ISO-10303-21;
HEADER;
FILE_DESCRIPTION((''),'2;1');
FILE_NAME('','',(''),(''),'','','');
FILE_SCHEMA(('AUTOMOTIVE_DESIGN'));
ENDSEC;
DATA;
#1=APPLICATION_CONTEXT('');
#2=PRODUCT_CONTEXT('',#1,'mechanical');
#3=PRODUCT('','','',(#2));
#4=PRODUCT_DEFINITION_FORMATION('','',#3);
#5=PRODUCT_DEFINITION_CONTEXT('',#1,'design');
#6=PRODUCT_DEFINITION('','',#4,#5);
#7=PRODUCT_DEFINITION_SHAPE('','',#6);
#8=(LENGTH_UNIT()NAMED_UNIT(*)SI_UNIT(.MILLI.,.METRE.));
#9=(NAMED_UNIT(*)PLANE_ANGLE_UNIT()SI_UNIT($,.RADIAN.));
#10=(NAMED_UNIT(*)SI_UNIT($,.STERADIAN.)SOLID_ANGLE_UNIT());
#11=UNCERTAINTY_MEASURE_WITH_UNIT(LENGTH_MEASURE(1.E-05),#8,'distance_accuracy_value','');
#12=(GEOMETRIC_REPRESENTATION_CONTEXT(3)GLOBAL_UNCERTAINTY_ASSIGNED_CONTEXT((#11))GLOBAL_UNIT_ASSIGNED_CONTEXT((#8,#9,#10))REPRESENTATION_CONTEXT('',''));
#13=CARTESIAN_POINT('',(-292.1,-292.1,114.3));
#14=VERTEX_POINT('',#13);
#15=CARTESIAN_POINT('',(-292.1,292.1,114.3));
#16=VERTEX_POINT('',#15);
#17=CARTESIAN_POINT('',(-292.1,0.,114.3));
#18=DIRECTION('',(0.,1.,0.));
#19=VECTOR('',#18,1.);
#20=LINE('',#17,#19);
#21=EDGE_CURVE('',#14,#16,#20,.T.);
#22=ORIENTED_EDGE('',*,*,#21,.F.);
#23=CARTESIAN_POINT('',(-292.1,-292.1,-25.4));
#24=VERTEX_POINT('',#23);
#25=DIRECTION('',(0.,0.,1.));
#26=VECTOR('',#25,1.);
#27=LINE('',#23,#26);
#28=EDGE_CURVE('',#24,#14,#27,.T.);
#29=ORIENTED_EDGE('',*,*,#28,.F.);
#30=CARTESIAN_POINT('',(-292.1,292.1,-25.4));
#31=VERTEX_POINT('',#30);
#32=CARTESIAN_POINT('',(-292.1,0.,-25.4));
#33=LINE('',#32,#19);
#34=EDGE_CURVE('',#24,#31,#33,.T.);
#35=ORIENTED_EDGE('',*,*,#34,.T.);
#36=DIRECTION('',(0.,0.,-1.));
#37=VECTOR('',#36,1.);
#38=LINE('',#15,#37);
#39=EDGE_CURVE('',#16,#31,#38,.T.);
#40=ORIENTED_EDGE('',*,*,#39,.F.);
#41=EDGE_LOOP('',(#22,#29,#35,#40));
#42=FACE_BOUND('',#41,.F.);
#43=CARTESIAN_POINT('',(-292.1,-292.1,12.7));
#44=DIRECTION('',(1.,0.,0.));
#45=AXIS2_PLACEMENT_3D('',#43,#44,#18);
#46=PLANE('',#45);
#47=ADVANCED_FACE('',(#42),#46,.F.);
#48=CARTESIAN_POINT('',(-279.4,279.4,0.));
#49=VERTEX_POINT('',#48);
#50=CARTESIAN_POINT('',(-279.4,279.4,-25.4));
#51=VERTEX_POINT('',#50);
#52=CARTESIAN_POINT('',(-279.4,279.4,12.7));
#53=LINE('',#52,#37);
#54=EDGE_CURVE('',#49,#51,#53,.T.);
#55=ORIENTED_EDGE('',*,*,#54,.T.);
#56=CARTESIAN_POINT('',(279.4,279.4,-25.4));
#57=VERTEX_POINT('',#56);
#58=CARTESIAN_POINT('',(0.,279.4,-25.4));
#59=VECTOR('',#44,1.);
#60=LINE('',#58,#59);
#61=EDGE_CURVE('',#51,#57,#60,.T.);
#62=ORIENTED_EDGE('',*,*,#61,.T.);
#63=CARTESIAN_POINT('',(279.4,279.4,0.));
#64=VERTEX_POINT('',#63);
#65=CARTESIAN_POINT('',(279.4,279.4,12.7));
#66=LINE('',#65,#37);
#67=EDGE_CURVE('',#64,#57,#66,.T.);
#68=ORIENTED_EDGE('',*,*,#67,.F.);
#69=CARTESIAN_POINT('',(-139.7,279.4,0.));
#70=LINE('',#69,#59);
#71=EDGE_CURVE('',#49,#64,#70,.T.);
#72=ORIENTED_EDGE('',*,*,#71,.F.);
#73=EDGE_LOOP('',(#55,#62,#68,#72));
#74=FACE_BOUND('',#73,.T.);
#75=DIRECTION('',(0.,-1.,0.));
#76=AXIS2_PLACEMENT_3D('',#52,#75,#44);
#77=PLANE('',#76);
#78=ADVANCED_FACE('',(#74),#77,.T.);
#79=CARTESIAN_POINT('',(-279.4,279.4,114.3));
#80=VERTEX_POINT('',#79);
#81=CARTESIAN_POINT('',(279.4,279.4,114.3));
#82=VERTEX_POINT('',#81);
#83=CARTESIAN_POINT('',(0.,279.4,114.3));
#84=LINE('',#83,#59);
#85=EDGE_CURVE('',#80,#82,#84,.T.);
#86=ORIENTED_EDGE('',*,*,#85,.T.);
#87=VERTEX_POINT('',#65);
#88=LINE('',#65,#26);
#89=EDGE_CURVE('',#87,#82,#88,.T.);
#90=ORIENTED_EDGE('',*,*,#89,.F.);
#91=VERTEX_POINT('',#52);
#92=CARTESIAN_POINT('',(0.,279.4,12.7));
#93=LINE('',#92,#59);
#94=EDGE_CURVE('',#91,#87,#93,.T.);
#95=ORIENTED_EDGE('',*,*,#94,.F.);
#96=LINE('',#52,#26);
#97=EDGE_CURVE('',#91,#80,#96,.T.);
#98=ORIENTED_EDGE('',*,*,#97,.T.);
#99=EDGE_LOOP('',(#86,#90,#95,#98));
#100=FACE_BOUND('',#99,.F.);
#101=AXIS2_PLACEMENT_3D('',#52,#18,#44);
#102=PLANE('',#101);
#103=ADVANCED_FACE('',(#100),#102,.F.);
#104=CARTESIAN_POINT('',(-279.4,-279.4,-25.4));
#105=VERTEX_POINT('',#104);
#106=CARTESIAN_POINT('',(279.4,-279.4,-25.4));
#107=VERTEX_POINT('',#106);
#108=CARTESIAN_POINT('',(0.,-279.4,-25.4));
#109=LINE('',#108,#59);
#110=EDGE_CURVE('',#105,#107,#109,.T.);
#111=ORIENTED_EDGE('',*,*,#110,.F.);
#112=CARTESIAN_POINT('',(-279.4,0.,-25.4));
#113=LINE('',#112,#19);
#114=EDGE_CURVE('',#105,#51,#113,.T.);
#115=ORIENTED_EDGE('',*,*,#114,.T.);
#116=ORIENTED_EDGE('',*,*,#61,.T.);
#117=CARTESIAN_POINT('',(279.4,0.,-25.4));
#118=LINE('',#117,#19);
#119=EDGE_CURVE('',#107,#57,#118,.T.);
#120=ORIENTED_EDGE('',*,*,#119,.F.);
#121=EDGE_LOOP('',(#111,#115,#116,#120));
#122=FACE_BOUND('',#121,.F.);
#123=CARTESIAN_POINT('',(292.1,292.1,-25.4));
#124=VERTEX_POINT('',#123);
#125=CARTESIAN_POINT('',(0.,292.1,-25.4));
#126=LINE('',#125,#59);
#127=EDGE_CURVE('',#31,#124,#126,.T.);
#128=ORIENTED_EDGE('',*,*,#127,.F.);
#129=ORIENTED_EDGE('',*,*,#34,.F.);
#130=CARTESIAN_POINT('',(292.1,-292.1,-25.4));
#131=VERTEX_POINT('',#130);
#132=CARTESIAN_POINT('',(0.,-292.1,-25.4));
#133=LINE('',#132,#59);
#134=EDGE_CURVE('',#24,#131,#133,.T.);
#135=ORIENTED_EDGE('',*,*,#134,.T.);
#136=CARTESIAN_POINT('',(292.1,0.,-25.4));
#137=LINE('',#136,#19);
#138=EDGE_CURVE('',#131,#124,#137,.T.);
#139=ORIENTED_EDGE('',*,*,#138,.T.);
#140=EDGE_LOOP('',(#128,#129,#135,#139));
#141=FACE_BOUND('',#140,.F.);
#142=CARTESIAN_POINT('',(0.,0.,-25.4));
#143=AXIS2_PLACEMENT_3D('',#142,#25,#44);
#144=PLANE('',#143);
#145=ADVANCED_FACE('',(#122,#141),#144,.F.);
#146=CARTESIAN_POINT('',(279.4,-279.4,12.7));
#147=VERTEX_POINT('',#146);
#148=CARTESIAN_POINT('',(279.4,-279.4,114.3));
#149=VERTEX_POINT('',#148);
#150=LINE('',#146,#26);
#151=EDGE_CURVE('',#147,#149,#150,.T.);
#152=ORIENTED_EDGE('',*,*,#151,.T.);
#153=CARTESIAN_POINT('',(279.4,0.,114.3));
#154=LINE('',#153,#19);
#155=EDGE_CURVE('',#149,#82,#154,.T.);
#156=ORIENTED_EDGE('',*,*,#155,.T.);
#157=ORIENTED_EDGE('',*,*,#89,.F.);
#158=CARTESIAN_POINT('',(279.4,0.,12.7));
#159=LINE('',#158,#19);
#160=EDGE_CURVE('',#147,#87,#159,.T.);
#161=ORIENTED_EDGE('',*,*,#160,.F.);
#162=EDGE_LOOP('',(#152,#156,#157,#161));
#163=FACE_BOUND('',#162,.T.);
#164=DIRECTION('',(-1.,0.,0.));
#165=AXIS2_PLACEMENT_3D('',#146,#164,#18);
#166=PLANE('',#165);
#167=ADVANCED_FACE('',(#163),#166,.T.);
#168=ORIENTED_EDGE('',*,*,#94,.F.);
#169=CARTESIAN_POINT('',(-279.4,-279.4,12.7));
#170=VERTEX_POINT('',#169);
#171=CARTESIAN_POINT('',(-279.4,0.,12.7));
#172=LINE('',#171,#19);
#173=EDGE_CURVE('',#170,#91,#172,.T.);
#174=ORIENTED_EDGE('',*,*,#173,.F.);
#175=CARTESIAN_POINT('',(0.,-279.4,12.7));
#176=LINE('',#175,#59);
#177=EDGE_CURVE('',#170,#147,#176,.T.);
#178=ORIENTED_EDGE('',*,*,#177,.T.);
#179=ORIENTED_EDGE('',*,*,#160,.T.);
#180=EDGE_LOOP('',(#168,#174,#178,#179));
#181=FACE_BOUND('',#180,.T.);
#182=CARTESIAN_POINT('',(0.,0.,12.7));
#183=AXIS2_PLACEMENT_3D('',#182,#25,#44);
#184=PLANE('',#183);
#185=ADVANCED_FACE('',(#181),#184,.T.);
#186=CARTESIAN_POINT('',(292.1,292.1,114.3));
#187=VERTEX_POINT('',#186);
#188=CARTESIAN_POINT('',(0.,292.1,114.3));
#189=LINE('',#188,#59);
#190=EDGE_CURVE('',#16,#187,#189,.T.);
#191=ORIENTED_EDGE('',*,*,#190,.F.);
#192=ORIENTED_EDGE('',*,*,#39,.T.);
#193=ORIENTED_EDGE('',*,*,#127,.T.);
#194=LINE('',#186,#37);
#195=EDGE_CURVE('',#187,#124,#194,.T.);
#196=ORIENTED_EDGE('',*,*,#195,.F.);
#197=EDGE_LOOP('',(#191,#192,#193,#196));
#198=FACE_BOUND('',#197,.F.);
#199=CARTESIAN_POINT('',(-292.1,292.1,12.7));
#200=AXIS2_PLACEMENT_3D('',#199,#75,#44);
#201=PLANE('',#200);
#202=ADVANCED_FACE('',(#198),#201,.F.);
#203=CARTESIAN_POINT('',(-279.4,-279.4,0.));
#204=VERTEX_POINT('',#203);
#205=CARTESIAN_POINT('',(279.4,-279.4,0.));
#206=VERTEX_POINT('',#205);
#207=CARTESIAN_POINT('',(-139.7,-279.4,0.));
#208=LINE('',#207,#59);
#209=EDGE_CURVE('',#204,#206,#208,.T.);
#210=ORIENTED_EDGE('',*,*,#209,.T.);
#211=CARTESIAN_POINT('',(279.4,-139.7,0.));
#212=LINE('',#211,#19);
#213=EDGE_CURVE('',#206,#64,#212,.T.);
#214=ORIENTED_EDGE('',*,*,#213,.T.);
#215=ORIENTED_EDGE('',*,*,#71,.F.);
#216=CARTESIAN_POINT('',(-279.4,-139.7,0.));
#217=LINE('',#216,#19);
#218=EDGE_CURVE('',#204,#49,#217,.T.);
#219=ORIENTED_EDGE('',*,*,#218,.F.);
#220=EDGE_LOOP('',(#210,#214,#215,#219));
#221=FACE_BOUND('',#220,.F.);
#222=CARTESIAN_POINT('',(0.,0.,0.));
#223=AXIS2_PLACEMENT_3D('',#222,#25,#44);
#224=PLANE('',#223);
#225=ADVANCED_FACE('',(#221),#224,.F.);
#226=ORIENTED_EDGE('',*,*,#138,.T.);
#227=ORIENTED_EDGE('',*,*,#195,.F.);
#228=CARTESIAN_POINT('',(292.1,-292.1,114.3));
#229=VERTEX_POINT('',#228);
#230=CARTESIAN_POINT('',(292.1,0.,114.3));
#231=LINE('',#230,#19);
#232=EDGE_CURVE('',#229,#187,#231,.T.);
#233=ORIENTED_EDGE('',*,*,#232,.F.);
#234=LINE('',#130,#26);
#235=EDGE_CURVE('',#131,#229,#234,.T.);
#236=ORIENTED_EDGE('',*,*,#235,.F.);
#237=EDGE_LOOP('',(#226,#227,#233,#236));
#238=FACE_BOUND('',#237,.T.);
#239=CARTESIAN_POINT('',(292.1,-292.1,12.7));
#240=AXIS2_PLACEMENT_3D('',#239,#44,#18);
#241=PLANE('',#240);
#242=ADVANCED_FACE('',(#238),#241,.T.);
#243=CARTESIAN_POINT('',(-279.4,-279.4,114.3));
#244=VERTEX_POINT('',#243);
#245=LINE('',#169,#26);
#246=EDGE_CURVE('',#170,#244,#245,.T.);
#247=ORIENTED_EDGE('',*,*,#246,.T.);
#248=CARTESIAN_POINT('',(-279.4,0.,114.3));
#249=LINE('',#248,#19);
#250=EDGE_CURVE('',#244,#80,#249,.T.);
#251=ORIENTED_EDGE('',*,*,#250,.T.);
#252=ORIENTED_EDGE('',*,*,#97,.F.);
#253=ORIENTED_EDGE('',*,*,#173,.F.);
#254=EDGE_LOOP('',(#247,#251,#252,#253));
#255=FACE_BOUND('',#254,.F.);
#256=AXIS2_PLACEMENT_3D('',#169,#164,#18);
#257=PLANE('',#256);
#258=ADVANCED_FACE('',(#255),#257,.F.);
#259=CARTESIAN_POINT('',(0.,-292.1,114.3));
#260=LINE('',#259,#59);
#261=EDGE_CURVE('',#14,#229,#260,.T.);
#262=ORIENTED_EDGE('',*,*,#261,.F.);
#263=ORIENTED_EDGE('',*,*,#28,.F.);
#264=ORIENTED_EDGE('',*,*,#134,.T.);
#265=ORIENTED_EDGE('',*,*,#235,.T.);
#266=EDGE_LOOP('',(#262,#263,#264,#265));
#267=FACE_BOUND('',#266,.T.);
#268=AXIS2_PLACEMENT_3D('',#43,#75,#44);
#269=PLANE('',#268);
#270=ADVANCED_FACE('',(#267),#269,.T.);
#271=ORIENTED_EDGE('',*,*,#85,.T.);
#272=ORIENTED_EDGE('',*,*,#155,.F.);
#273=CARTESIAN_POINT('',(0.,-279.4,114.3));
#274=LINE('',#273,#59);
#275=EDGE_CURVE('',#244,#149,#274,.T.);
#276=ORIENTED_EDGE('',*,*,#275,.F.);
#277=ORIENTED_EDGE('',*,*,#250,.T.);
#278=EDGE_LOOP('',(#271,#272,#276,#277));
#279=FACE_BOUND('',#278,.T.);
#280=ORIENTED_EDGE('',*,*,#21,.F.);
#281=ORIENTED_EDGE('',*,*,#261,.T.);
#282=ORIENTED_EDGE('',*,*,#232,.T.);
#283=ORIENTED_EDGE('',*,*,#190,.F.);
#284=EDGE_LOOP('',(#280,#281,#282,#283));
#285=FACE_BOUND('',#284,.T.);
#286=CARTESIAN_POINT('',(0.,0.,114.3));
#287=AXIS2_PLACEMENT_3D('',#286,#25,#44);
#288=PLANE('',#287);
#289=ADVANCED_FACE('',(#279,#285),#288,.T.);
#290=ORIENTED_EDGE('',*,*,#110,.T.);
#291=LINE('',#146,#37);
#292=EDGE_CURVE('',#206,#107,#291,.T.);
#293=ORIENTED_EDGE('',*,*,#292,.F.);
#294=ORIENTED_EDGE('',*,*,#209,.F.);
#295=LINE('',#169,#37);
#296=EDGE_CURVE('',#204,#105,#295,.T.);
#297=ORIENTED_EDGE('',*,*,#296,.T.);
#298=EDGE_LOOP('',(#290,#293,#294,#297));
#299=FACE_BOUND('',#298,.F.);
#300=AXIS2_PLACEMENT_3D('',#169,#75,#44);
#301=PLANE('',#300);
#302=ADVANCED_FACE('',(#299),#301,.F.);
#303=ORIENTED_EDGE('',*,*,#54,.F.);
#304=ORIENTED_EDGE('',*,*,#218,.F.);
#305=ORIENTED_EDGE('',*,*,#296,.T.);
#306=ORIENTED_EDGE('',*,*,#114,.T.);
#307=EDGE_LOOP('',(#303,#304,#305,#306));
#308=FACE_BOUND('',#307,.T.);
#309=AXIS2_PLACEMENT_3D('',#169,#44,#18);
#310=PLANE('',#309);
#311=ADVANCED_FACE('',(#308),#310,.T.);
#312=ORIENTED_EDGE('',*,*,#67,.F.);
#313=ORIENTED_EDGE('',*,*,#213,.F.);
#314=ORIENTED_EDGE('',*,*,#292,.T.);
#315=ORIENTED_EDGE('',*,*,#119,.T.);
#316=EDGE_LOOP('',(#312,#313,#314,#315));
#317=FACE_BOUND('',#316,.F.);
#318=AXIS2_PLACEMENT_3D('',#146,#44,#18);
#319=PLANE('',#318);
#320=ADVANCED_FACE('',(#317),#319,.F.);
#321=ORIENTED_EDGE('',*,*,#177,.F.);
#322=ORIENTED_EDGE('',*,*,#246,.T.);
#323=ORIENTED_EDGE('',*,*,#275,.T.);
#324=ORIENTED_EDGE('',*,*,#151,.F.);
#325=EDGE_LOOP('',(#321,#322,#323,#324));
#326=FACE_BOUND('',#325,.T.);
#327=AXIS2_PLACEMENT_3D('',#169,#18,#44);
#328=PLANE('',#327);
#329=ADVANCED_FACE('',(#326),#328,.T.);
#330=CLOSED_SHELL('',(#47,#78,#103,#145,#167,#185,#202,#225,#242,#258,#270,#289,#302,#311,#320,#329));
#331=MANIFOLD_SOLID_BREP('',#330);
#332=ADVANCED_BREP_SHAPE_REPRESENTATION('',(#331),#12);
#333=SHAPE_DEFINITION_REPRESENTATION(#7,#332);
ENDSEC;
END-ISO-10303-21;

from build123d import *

# Parameters (mm, degrees)
F0_W          = 584.2
F0_H          = 584.2
F1_DEPTH      = 12.7
F2_W          = 584.2
F2_H          = 584.2
F2_W_2        = 558.8
F2_H_2        = 558.8
F3_DEPTH      = 101.6
F3_DEPTH_BACK = 38.1


with BuildPart() as f1:
    # F0 (on Top) → F1 (new body)
    with BuildSketch(Plane.XY):
        Rectangle(F0_W, F0_H)
    extrude(amount=F1_DEPTH)

    # F2 (on face) → F3 (join, two sides)
    with BuildSketch(Plane.XY.offset(12.7)) as f3_sk:
        Rectangle(F2_W, F2_H)
        Rectangle(F2_W_2, F2_H_2, mode=Mode.SUBTRACT)
    extrude(amount=F3_DEPTH)
    extrude(f3_sk.sketch, amount=-F3_DEPTH_BACK)


solid = f1.part
